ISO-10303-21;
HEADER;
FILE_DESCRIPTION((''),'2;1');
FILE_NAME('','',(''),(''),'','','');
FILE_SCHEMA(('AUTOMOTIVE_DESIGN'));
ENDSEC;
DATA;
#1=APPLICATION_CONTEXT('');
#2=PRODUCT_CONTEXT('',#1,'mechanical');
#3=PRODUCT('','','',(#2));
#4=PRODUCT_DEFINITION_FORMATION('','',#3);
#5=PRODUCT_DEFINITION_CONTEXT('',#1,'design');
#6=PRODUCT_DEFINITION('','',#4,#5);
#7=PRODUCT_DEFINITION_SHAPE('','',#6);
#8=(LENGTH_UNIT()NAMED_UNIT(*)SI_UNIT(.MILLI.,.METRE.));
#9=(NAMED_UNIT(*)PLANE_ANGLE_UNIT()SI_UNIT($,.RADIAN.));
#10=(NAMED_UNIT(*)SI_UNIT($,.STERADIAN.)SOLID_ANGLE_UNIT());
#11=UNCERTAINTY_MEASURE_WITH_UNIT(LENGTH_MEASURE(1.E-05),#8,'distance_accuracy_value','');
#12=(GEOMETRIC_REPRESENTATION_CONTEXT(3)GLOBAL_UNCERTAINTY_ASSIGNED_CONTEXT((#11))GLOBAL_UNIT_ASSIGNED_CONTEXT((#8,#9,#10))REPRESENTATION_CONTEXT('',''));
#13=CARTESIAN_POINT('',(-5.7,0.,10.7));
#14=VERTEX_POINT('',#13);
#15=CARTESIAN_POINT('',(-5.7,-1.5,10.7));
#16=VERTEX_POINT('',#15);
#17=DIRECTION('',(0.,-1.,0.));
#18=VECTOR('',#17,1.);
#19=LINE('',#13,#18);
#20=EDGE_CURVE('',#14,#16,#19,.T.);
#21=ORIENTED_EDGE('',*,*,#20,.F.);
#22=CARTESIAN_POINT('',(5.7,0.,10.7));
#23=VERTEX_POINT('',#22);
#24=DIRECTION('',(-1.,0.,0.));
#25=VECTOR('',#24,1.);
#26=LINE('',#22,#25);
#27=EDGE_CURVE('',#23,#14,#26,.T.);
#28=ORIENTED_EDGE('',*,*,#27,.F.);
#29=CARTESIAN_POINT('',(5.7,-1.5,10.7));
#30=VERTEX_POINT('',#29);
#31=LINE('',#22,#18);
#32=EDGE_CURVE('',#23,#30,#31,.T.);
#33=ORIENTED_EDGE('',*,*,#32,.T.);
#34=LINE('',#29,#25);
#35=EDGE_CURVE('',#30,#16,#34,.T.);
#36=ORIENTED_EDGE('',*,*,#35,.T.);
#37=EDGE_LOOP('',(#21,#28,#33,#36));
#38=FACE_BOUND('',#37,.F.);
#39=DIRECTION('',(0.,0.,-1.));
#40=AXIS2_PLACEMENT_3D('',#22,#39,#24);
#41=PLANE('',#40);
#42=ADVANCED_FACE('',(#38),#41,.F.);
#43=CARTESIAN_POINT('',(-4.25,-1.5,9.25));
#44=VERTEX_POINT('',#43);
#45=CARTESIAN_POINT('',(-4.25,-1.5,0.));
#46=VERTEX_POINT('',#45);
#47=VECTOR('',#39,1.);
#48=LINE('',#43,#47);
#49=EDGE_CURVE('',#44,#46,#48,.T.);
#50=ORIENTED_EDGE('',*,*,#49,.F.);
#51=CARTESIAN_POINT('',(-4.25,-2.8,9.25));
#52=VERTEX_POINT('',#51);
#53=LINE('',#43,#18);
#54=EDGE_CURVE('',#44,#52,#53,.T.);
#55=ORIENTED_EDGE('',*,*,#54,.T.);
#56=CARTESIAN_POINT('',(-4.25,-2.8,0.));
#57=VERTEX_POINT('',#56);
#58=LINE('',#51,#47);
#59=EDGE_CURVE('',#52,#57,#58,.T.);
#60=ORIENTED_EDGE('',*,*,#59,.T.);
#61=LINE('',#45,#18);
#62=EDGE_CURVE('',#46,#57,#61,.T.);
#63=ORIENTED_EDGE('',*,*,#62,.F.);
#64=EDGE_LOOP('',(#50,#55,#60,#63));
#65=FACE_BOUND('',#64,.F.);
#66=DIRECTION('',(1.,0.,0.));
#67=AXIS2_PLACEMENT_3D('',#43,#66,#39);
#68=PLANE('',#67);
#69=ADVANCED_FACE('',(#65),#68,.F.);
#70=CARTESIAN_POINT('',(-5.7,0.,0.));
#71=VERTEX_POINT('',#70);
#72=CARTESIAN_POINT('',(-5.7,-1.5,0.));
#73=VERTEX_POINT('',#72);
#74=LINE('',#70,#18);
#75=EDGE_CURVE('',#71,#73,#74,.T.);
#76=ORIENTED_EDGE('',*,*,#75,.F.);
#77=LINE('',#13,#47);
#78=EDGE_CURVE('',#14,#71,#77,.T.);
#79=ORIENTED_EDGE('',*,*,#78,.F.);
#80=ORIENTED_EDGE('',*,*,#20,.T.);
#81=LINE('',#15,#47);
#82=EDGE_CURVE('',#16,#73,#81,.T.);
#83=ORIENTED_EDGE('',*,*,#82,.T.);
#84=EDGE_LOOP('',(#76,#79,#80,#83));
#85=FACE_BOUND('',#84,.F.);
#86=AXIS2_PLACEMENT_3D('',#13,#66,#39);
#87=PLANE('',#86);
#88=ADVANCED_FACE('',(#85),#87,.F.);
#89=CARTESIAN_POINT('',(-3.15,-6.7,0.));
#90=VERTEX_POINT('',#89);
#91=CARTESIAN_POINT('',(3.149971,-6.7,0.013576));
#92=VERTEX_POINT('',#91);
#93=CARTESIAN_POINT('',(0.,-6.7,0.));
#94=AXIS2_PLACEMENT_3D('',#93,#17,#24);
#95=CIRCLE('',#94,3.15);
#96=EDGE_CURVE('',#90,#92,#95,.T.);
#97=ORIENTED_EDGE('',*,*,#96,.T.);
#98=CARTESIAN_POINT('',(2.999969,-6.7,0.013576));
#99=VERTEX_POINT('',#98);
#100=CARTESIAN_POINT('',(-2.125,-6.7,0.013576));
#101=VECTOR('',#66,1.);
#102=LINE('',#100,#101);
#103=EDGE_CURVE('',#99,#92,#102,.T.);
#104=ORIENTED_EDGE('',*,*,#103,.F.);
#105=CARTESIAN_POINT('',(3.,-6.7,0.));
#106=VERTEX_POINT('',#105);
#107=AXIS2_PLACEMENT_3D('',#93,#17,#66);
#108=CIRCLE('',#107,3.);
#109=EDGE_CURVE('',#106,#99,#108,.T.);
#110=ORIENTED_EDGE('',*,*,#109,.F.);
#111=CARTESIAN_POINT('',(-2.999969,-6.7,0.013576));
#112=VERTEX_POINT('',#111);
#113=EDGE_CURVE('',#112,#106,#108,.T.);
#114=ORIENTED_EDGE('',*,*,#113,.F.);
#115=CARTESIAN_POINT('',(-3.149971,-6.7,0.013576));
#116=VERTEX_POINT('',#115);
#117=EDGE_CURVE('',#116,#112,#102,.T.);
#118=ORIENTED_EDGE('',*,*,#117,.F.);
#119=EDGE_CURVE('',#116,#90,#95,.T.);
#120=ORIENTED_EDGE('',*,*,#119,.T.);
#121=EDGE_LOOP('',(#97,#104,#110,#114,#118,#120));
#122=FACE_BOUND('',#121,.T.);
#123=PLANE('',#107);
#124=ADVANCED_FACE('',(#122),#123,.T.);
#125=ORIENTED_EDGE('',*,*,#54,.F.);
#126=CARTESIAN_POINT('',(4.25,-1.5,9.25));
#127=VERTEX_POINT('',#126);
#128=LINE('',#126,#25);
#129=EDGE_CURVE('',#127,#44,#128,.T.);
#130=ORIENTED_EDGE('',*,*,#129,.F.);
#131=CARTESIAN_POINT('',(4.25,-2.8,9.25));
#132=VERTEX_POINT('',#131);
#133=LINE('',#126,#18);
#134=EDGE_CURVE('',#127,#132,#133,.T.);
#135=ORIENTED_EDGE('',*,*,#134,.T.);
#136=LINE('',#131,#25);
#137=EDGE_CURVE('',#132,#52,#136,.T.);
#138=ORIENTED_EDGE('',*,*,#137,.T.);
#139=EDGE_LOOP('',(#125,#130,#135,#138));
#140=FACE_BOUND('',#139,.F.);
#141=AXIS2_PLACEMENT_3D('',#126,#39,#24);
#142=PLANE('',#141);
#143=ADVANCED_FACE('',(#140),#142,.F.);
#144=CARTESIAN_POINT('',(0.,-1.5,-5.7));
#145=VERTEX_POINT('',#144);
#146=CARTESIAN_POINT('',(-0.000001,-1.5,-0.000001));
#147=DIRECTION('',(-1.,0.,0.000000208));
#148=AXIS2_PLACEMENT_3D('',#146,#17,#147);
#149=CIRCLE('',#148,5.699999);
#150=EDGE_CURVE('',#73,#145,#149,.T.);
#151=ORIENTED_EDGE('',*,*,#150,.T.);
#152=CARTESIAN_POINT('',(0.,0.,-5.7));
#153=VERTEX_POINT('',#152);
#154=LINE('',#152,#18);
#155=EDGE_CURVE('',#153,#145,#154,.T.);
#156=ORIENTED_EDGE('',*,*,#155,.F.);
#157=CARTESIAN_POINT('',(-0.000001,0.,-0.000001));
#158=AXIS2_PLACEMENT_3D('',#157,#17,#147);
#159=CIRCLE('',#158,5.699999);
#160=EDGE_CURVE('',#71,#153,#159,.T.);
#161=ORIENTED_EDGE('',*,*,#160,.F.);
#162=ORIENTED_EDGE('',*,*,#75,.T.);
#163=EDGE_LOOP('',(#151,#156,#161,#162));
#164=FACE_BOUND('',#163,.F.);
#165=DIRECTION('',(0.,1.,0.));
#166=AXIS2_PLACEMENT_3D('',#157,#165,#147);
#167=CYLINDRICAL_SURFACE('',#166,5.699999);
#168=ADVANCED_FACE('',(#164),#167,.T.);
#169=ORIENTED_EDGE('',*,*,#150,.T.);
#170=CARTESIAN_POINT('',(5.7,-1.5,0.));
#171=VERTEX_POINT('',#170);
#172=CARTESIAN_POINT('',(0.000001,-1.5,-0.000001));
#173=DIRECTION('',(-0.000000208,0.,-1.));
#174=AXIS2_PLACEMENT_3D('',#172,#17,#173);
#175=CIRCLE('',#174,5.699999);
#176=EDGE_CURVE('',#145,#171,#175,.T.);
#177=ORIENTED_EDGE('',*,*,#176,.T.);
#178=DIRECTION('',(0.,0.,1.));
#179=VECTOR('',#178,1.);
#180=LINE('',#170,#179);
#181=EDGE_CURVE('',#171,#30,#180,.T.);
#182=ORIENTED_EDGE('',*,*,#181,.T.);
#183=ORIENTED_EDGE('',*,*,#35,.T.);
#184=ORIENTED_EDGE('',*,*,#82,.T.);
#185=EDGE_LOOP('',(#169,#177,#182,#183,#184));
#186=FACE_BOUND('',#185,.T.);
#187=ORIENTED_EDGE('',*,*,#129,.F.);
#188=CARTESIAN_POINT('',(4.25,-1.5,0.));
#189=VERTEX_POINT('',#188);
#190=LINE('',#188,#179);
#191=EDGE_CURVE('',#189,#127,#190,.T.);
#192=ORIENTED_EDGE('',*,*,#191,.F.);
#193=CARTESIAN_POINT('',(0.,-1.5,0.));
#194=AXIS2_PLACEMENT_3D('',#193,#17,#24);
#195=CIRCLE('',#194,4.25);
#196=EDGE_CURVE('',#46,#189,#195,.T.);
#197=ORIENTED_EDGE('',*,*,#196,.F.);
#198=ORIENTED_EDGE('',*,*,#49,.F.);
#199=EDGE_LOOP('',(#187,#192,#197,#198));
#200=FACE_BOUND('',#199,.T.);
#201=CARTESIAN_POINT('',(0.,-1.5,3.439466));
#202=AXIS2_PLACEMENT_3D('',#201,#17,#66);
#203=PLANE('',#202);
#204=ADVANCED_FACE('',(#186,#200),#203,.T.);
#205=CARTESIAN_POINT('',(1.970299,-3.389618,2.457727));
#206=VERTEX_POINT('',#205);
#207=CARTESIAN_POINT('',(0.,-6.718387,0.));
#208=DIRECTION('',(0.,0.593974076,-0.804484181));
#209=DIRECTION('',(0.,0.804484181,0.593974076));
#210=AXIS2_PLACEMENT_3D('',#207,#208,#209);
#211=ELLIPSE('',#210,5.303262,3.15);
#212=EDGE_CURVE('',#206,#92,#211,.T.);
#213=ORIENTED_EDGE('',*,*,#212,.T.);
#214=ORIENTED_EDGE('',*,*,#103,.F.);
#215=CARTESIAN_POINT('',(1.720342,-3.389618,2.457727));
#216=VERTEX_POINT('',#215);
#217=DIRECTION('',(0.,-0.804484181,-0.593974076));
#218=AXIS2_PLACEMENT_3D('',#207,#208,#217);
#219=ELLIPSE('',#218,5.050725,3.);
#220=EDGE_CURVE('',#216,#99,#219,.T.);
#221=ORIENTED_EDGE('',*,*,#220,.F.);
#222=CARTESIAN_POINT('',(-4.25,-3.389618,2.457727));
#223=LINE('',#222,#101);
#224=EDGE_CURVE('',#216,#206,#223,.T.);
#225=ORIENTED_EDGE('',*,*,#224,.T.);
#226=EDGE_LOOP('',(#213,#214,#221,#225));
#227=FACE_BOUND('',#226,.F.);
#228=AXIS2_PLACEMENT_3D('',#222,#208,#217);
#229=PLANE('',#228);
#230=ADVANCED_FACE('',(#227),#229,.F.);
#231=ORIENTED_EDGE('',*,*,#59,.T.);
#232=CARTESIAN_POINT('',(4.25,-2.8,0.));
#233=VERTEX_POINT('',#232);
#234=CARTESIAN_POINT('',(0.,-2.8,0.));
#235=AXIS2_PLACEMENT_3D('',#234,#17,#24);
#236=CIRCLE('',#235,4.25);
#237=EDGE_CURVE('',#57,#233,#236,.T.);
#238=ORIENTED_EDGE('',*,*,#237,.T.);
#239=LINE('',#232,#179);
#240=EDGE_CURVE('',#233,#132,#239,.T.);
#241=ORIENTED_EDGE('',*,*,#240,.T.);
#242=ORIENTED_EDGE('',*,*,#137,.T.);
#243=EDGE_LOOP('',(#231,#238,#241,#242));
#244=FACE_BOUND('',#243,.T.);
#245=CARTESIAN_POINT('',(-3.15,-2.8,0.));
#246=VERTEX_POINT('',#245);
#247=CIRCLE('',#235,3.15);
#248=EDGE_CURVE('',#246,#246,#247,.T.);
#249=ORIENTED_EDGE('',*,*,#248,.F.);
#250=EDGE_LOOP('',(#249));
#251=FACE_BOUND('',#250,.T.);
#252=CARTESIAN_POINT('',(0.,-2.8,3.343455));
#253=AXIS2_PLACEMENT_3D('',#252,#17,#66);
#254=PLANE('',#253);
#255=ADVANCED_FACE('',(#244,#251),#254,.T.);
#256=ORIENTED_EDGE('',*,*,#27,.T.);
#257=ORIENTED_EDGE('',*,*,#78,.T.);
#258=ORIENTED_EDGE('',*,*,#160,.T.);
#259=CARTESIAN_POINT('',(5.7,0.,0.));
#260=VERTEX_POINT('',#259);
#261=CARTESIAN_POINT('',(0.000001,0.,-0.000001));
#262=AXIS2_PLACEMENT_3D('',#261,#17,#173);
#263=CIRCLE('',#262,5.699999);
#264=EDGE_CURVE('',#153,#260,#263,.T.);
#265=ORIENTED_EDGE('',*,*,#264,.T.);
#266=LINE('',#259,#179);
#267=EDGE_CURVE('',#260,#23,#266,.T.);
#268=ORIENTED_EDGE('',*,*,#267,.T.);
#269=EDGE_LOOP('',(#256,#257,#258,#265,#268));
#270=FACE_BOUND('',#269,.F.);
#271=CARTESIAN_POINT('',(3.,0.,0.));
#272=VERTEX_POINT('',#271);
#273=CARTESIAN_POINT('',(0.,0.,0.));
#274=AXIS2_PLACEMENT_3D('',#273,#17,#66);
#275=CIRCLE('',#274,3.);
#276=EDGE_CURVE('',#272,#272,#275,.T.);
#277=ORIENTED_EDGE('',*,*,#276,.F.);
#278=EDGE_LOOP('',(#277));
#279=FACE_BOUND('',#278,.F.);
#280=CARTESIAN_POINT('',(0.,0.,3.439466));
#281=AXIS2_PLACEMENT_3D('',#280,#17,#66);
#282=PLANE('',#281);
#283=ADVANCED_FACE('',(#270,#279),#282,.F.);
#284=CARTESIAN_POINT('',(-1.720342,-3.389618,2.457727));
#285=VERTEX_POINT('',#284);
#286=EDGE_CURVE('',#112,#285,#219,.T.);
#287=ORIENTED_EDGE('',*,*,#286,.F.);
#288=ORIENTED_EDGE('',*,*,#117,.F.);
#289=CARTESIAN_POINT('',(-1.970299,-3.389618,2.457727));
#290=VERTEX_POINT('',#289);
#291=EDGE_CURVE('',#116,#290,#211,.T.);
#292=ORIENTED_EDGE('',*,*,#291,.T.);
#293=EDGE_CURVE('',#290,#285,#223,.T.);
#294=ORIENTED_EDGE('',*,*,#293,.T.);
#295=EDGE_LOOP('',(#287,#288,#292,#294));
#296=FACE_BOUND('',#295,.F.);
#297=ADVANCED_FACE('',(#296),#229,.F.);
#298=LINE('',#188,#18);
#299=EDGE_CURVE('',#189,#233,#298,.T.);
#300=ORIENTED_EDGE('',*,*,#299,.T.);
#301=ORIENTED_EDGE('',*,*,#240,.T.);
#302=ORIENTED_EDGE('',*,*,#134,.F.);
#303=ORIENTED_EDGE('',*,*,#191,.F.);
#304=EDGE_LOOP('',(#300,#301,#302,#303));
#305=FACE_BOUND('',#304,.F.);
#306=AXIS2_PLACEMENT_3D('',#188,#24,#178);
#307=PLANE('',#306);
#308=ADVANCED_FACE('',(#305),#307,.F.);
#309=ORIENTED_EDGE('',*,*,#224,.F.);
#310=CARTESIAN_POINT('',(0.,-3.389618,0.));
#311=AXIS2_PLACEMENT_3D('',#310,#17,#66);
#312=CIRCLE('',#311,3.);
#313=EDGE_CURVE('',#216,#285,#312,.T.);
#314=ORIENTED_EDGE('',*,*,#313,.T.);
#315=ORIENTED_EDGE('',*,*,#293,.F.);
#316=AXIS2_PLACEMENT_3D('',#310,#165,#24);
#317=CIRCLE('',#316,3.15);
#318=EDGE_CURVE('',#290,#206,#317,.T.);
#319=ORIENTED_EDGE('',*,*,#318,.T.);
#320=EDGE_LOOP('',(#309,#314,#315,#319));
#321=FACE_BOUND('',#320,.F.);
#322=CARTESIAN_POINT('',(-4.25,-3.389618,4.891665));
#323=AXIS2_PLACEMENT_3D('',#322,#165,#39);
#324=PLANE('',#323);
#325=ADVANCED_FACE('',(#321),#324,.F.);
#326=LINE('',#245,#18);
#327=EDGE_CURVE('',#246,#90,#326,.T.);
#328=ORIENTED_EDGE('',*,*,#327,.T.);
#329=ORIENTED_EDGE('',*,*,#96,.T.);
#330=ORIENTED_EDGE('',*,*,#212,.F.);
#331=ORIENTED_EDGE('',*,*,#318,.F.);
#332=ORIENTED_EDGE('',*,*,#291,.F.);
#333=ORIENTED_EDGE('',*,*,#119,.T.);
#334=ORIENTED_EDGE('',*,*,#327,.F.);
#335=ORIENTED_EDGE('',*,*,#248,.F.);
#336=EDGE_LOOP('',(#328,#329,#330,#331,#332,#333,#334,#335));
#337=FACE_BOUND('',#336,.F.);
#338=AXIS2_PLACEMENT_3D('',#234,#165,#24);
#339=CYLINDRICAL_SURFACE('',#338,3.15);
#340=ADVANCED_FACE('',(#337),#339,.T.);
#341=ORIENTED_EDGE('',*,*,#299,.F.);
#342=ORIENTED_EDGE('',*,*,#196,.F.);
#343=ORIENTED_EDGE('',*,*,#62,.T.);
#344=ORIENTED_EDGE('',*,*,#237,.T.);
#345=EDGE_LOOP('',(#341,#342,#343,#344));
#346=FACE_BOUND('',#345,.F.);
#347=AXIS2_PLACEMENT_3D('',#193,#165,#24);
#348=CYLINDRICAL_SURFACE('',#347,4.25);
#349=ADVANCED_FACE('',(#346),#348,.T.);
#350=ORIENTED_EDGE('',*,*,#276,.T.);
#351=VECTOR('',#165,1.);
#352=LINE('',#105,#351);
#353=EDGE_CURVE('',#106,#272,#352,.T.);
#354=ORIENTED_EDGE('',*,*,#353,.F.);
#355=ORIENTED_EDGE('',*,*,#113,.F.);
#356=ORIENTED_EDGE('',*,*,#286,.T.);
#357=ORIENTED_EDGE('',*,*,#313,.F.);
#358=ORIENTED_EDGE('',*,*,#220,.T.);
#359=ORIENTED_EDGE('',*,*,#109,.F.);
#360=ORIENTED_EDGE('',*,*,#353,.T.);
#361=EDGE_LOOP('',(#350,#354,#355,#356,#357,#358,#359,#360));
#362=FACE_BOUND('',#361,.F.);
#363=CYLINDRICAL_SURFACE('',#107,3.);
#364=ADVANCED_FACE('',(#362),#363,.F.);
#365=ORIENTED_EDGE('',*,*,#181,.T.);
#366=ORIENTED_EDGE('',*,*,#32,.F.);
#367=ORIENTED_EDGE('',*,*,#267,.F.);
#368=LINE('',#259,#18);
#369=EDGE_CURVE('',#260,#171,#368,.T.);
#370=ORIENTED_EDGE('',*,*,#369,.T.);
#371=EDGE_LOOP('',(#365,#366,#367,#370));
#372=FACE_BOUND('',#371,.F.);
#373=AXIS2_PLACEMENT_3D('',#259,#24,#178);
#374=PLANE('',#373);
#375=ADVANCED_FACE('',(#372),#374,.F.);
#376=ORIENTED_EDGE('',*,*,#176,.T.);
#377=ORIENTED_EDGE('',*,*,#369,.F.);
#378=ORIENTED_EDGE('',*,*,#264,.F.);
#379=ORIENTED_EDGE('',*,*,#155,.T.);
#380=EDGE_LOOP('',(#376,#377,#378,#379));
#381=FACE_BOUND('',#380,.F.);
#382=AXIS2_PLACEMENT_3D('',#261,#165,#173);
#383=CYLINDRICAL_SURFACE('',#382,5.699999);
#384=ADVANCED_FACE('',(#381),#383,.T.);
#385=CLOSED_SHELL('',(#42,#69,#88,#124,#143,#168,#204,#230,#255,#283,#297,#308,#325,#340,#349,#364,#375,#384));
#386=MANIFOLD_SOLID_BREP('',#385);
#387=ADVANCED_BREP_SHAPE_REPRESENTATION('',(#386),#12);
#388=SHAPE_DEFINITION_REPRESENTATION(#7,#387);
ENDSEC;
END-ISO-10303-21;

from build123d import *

# Parameters (mm, degrees)
F1_DEPTH = 1.5
F3_DEPTH = 1.3
F5_DEPTH = 3.9
F6_R     = 3
F7_DEPTH = 6.701
F9_DEPTH = 25


with BuildPart() as f1:
    # F0 (on Front) → F1 (new body)
    with BuildSketch(Plane.XZ):
        with BuildLine():
            Line((-5.7, 10.7), (-5.7, 0))
            ThreePointArc((-5.7, 0), (-4.030509, -4.030509), (0, -5.7))
            ThreePointArc((0, -5.7), (4.030509, -4.030509), (5.7, 0))
            Line((5.7, 0), (5.7, 10.7))
            Line((5.7, 10.7), (-5.7, 10.7))
        make_face()
    extrude(amount=F1_DEPTH)

    # F2 (on face) → F3 (join)
    with BuildSketch(Plane.XZ.offset(1.5)):
        with BuildLine():
            Line((4.25, 0), (4.25, 9.25))
            Line((4.25, 9.25), (-4.25, 9.25))
            Line((-4.25, 9.25), (-4.25, 0))
            ThreePointArc((-4.25, 0), (0, -4.25), (4.25, 0))
        make_face()
    extrude(amount=F3_DEPTH)

    # F4 (on face) → F5 (join)
    with BuildSketch(Plane.XZ.offset(2.8)):
        with BuildLine():
            ThreePointArc((3.15, 0), (0, 3.15), (-3.15, 0))
            ThreePointArc((-3.15, 0), (0, -3.15), (3.15, 0))
        make_face()
    extrude(amount=F5_DEPTH)

    # F6 (on face) → F7 (cut, through all)
    with BuildSketch(Plane.XZ.offset(6.7)):
        Circle(F6_R)
    extrude(amount=-F7_DEPTH, mode=Mode.SUBTRACT)

    # F8 (on face) → F9 (cut)
    with BuildSketch(Plane(origin=(-4.25, 0, 0), x_dir=(0, -1, 0), z_dir=(-1, 0, 0))):
        Polygon((3.389618, 4.891665), (3.389618, 2.457727), (6.718387, 0), (7.86377, 0), (7.899563, 4.891665), align=None)
    extrude(amount=-F9_DEPTH, mode=Mode.SUBTRACT)


solid = f1.part
